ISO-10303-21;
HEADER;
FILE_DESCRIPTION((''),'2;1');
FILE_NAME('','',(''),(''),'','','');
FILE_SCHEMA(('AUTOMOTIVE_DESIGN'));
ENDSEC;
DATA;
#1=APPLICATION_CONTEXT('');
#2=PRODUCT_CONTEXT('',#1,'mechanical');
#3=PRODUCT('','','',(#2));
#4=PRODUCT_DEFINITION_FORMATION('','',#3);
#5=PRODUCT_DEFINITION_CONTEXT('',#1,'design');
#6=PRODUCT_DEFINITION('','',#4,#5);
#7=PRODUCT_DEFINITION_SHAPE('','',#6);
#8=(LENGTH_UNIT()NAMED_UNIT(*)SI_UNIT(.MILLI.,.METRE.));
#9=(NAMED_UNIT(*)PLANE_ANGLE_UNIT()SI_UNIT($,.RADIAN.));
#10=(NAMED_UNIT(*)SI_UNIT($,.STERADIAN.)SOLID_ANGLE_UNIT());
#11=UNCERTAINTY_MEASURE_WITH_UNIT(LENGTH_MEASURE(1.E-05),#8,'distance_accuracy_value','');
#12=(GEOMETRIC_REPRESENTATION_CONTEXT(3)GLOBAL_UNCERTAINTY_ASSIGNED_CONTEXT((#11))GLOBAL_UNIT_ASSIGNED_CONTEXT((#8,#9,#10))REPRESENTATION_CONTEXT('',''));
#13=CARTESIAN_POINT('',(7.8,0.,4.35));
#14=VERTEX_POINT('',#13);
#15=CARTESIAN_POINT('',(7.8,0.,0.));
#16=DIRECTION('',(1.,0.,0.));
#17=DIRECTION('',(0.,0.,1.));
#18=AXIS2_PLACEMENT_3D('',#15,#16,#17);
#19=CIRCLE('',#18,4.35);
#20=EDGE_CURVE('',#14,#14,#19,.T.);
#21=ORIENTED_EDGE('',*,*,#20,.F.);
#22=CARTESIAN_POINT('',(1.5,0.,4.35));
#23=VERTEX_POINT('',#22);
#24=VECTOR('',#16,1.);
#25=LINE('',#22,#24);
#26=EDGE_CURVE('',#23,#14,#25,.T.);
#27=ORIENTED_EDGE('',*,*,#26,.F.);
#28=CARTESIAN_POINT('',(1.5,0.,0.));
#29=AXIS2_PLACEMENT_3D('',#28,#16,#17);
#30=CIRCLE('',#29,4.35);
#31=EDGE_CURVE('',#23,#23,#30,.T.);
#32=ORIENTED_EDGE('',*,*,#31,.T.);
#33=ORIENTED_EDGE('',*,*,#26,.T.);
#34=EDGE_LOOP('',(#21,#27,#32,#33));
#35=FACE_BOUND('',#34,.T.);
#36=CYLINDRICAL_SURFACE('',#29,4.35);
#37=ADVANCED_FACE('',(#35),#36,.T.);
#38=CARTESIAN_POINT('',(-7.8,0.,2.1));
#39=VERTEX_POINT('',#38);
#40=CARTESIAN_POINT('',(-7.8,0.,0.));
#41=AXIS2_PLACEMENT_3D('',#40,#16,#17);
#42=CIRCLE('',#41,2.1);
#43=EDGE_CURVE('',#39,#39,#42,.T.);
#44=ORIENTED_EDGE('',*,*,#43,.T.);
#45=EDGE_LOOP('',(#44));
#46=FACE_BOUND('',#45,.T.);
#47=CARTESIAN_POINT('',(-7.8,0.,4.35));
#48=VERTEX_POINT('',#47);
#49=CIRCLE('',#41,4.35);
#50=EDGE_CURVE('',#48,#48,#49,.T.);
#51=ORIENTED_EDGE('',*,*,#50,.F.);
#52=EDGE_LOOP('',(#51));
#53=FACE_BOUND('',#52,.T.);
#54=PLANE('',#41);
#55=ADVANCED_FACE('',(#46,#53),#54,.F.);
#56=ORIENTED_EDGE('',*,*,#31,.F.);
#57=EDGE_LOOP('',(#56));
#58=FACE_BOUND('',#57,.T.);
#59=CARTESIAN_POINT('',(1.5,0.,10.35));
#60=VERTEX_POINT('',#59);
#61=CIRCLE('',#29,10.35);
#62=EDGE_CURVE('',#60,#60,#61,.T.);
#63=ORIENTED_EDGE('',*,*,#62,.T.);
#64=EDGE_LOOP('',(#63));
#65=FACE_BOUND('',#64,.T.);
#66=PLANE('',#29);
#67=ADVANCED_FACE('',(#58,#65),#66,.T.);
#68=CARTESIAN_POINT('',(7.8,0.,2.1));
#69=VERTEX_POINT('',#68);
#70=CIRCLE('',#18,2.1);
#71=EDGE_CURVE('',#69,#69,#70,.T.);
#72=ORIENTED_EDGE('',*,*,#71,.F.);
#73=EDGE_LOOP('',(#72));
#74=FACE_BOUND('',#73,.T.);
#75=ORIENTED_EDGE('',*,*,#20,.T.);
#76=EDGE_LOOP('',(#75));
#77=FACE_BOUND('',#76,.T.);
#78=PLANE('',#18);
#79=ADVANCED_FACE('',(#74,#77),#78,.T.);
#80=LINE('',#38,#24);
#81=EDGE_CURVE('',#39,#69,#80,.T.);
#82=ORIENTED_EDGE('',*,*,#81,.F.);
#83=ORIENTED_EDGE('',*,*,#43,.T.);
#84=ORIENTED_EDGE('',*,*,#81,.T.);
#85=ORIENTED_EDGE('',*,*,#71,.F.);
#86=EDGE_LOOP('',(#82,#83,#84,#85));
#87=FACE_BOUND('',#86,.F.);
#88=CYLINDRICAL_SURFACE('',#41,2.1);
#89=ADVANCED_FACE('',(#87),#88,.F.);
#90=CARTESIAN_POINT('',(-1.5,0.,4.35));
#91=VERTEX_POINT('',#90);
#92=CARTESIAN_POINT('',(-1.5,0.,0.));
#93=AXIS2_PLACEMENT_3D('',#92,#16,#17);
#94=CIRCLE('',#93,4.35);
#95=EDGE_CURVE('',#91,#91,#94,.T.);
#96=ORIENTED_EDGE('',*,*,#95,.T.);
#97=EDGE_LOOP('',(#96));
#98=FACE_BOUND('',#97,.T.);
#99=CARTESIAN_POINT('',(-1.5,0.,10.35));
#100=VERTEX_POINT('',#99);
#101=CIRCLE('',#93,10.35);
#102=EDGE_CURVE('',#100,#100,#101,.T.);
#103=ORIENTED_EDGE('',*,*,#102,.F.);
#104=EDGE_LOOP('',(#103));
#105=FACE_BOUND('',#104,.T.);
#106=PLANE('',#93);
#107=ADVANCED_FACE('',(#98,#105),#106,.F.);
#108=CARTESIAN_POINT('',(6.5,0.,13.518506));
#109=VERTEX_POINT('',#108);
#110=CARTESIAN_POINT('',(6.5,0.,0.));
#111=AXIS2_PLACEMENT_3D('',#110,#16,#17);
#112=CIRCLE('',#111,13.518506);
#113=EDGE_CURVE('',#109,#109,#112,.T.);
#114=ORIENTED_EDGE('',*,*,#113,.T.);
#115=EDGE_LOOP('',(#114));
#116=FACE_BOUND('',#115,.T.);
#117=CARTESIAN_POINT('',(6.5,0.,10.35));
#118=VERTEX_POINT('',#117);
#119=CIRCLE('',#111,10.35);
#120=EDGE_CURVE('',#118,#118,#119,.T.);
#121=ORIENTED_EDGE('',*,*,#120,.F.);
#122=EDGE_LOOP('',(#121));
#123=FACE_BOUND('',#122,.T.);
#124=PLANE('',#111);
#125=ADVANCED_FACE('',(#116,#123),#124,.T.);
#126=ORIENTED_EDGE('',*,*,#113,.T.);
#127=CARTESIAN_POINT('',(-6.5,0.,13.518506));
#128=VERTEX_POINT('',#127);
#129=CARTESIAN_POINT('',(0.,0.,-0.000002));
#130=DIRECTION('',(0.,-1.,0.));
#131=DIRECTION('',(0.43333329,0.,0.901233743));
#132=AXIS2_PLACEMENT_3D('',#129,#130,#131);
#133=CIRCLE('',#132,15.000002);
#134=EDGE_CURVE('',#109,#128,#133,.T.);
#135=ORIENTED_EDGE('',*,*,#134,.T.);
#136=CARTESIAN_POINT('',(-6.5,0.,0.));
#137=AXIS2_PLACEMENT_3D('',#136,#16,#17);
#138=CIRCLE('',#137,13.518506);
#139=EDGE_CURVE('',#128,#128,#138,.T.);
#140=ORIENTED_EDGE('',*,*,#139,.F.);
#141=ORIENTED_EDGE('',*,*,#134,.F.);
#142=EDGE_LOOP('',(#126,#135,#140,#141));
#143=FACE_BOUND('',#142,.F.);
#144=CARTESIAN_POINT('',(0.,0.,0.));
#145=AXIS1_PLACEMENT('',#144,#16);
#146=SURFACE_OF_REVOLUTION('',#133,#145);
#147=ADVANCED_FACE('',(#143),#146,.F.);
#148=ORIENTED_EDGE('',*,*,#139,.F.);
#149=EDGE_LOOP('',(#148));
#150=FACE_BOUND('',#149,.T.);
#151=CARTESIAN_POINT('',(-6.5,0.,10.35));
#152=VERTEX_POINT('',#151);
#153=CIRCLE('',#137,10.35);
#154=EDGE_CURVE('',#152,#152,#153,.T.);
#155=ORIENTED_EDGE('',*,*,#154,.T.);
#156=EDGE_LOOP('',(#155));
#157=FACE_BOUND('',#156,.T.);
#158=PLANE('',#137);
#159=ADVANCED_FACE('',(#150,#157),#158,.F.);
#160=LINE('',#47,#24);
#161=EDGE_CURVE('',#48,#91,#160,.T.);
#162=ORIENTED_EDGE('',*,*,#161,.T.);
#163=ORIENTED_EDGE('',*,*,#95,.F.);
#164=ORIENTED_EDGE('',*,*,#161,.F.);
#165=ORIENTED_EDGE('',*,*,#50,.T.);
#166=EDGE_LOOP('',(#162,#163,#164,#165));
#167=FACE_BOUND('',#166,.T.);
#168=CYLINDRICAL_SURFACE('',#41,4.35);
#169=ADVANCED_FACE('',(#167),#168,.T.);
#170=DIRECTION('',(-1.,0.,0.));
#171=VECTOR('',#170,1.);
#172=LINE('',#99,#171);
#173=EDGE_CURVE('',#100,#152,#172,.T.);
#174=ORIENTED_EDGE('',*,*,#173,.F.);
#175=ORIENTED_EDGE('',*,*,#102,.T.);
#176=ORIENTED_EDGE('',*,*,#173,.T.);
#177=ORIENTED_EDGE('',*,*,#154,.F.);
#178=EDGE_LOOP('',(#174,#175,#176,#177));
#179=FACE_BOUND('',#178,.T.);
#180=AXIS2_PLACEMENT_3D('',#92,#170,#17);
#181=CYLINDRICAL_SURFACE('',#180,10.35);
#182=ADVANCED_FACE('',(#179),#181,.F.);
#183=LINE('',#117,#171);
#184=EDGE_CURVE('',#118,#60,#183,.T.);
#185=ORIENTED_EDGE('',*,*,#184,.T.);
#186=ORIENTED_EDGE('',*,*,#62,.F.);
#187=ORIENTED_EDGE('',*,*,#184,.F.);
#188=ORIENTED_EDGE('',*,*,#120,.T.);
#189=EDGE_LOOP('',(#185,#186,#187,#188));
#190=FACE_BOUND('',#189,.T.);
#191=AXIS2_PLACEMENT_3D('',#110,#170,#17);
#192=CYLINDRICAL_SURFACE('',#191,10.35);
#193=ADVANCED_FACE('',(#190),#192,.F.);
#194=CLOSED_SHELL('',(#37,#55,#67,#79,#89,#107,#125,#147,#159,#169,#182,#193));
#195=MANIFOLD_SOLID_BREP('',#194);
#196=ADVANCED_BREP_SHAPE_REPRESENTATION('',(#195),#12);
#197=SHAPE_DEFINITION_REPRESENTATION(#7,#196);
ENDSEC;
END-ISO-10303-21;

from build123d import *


with BuildPart() as part:
    # Sketch → Revolution (revolve)
    with BuildSketch(Plane.XZ):
        with BuildLine():
            Line((-7.8, 2.1), (7.8, 2.1))
            Line((7.8, 4.35), (7.8, 2.1))
            Line((1.5, 4.35), (7.8, 4.35))
            Line((1.5, 10.35), (1.5, 4.35))
            Line((6.5, 10.35), (1.5, 10.35))
            Line((6.5, 13.518506), (6.5, 10.35))
            ThreePointArc((6.5, 13.518506), (0, 15), (-6.5, 13.518506))
            Line((-6.5, 10.35), (-6.5, 13.518506))
            Line((-1.5, 10.35), (-6.5, 10.35))
            Line((-1.5, 4.35), (-1.5, 10.35))
            Line((-7.8, 4.35), (-1.5, 4.35))
            Line((-7.8, 2.1), (-7.8, 4.35))
        make_face()
    revolve(axis=Axis((0, 0, 0), (1, 0, 0)))


solid = part.part
